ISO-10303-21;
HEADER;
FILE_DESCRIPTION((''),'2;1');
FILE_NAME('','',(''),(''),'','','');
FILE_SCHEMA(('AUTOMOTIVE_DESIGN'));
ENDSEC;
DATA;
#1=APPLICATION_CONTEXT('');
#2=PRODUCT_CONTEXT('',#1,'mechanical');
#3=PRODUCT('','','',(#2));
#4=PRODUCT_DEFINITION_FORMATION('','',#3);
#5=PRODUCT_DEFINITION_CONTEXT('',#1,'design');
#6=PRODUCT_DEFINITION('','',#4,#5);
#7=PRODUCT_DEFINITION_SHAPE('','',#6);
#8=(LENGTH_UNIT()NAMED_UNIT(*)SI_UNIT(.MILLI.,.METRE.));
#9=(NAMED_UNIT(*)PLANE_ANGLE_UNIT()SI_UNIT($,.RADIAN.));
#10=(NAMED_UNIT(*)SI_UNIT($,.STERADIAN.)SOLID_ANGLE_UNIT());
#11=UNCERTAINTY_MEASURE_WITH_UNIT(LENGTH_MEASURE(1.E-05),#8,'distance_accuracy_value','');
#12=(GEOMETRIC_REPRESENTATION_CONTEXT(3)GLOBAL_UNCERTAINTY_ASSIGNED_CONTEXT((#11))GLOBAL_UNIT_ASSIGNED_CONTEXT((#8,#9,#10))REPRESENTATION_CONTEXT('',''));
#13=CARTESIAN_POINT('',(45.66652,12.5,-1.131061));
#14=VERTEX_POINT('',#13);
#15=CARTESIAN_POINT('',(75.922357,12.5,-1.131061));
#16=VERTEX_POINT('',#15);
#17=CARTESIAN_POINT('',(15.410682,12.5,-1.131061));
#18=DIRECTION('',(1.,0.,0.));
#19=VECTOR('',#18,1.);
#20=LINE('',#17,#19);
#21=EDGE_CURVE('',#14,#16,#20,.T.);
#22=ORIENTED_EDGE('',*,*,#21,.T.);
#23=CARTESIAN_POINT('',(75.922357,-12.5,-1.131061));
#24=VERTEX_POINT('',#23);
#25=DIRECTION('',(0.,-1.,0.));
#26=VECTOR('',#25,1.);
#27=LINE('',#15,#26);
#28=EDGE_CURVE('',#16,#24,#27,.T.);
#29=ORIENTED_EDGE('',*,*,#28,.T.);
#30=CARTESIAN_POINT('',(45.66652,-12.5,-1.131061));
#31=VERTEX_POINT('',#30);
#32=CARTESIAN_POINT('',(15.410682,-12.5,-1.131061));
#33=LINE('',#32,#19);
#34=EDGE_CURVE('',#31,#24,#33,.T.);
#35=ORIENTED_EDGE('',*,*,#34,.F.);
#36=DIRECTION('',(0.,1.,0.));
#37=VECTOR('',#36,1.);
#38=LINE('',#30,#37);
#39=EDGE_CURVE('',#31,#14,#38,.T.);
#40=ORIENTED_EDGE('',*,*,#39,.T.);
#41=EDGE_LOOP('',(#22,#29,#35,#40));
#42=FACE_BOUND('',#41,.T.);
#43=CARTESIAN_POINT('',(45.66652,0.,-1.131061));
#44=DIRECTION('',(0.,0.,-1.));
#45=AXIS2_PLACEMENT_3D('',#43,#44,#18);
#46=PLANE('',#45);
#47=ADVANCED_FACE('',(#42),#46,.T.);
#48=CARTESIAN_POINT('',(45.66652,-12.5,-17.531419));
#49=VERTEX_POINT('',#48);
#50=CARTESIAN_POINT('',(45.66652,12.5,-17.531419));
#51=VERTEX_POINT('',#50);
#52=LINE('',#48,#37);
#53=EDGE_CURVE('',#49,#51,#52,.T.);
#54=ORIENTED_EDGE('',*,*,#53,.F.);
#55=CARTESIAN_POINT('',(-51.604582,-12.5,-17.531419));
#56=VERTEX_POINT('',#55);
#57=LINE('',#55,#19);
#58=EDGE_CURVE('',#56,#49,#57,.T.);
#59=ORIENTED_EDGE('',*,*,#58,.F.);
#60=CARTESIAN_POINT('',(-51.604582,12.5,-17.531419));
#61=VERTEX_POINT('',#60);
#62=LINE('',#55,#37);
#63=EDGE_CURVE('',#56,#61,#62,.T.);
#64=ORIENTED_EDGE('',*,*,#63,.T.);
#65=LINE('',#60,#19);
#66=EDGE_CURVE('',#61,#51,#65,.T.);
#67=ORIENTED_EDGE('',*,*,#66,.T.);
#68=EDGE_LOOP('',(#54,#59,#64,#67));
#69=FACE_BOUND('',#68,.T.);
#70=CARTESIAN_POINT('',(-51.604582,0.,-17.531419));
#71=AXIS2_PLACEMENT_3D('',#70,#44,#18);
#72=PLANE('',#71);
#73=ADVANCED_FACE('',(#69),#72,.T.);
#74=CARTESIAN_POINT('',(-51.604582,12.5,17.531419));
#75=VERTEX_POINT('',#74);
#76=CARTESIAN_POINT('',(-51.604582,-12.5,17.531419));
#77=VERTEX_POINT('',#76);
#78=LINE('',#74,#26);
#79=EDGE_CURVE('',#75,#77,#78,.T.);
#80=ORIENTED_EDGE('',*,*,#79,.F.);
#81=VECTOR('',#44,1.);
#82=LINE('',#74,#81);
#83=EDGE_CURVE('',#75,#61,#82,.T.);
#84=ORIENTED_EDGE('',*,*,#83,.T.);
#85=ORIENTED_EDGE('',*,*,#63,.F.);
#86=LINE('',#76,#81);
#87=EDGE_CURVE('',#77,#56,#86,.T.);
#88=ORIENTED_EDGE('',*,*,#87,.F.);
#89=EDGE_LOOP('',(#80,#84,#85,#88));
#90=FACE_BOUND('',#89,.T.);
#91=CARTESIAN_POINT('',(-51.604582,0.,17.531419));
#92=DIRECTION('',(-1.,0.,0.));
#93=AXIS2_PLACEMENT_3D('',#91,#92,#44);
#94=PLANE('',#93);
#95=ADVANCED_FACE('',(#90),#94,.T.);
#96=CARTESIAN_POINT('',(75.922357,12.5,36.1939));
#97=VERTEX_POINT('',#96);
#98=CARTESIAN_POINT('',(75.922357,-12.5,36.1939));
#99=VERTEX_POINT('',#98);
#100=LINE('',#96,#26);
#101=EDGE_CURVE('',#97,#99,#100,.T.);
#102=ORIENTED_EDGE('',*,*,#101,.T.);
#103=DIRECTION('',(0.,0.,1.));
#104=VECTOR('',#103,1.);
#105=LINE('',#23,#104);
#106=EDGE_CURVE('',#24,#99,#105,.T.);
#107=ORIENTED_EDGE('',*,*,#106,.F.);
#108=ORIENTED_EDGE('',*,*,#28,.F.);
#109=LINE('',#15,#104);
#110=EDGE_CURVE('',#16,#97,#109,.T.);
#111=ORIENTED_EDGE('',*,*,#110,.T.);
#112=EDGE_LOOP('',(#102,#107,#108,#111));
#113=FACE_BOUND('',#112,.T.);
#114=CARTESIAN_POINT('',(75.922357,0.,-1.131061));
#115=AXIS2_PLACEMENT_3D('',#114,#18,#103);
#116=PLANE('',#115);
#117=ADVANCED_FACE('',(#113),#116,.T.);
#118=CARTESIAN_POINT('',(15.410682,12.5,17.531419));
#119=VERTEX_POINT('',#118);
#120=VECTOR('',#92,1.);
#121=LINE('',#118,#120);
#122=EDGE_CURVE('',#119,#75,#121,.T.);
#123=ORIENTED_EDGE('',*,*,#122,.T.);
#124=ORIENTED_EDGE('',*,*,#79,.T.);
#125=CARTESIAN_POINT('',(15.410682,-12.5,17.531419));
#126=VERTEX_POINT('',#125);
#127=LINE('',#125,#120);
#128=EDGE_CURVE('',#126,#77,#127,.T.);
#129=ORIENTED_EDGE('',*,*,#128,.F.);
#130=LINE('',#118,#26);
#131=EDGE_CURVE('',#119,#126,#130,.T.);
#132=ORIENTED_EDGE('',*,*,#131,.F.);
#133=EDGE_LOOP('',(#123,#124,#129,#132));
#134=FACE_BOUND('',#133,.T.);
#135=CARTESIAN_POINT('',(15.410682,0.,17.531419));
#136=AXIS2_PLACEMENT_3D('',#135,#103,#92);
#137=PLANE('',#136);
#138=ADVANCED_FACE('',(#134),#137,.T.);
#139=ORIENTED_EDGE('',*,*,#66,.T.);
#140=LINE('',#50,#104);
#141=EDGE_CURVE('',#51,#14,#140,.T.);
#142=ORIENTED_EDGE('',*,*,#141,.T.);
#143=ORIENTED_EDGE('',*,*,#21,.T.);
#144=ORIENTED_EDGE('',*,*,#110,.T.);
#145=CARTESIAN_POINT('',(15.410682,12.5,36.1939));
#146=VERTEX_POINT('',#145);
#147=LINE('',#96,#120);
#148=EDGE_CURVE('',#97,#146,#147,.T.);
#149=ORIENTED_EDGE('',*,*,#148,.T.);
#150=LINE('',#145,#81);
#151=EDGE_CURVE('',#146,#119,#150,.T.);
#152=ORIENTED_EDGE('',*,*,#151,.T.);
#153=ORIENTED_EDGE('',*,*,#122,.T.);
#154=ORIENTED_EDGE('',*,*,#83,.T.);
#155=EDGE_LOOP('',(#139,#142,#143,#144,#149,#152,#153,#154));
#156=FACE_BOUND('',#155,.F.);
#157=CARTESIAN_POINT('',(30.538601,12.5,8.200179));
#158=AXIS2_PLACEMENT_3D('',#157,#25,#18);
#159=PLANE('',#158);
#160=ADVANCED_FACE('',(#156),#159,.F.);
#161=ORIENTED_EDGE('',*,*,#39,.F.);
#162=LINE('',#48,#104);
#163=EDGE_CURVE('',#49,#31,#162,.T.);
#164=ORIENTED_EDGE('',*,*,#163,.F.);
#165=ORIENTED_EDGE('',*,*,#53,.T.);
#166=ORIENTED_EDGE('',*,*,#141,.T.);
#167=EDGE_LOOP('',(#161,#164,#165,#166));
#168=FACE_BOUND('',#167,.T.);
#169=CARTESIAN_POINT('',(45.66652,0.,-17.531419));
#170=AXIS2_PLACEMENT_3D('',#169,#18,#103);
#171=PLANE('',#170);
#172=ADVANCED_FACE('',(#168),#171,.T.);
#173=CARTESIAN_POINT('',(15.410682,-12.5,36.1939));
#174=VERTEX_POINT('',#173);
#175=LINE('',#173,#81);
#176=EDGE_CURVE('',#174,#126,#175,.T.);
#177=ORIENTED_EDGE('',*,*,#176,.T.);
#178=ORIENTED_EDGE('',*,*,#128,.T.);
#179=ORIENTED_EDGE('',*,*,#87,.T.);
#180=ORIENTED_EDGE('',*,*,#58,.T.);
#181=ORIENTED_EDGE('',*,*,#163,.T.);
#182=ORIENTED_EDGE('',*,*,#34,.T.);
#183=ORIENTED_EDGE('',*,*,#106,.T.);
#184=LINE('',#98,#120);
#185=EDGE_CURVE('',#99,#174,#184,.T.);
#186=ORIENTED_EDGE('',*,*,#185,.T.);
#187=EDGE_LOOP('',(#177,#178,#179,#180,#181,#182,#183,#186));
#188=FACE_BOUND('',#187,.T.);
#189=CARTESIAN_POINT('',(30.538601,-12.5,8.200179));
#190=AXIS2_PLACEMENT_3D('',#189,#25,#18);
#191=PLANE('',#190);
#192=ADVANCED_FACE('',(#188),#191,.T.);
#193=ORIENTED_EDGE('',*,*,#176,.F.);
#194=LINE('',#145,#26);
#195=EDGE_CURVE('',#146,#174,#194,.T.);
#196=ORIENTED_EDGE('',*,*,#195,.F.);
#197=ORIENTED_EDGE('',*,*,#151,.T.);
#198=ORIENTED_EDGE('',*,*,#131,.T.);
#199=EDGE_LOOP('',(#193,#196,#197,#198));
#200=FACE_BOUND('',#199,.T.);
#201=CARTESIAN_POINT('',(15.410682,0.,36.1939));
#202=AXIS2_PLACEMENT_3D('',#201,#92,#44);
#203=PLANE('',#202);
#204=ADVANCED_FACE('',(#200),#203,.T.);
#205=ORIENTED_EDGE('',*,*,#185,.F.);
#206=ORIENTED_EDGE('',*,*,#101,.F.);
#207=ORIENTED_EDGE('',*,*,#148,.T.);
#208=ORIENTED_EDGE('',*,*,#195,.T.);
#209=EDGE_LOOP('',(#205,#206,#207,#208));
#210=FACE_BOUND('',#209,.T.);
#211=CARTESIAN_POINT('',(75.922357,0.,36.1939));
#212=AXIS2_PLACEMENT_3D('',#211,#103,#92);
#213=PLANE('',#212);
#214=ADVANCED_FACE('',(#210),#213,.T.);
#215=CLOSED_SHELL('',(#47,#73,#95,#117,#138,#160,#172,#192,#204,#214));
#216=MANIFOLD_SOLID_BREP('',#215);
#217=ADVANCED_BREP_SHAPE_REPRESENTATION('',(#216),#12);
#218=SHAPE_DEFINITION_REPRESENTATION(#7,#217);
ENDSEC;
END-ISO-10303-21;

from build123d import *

# Parameters (mm, degrees)
F0_W     = 30.255837366
F0_H     = 18.6624806374
F1_DEPTH = 12.5


with BuildPart() as f1:
    # F0 (on Front) → F1 (new body, symmetric)
    with BuildSketch(Plane.XZ):
        with Locations((30.5386008695, 8.2001788542)):
            Rectangle(F0_W, F0_H)
        Polygon((15.4106821865, 17.5314191729), (45.6665195525, 17.5314191729), (45.6665195525, -1.1310614645), (75.9223569185, -1.1310614645), (75.9223569185, 36.1938998103), (15.4106821865, 36.1938998103), align=None)
        Polygon((15.4106821865, -1.1310614645), (15.4106821865, 17.5314191729), (-51.6045819968, 17.5314191729), (-51.6045819968, -17.5314191729), (45.6665195525, -17.5314191729), (45.6665195525, -1.1310614645), align=None)
    extrude(amount=F1_DEPTH, both=True)


solid = f1.part
